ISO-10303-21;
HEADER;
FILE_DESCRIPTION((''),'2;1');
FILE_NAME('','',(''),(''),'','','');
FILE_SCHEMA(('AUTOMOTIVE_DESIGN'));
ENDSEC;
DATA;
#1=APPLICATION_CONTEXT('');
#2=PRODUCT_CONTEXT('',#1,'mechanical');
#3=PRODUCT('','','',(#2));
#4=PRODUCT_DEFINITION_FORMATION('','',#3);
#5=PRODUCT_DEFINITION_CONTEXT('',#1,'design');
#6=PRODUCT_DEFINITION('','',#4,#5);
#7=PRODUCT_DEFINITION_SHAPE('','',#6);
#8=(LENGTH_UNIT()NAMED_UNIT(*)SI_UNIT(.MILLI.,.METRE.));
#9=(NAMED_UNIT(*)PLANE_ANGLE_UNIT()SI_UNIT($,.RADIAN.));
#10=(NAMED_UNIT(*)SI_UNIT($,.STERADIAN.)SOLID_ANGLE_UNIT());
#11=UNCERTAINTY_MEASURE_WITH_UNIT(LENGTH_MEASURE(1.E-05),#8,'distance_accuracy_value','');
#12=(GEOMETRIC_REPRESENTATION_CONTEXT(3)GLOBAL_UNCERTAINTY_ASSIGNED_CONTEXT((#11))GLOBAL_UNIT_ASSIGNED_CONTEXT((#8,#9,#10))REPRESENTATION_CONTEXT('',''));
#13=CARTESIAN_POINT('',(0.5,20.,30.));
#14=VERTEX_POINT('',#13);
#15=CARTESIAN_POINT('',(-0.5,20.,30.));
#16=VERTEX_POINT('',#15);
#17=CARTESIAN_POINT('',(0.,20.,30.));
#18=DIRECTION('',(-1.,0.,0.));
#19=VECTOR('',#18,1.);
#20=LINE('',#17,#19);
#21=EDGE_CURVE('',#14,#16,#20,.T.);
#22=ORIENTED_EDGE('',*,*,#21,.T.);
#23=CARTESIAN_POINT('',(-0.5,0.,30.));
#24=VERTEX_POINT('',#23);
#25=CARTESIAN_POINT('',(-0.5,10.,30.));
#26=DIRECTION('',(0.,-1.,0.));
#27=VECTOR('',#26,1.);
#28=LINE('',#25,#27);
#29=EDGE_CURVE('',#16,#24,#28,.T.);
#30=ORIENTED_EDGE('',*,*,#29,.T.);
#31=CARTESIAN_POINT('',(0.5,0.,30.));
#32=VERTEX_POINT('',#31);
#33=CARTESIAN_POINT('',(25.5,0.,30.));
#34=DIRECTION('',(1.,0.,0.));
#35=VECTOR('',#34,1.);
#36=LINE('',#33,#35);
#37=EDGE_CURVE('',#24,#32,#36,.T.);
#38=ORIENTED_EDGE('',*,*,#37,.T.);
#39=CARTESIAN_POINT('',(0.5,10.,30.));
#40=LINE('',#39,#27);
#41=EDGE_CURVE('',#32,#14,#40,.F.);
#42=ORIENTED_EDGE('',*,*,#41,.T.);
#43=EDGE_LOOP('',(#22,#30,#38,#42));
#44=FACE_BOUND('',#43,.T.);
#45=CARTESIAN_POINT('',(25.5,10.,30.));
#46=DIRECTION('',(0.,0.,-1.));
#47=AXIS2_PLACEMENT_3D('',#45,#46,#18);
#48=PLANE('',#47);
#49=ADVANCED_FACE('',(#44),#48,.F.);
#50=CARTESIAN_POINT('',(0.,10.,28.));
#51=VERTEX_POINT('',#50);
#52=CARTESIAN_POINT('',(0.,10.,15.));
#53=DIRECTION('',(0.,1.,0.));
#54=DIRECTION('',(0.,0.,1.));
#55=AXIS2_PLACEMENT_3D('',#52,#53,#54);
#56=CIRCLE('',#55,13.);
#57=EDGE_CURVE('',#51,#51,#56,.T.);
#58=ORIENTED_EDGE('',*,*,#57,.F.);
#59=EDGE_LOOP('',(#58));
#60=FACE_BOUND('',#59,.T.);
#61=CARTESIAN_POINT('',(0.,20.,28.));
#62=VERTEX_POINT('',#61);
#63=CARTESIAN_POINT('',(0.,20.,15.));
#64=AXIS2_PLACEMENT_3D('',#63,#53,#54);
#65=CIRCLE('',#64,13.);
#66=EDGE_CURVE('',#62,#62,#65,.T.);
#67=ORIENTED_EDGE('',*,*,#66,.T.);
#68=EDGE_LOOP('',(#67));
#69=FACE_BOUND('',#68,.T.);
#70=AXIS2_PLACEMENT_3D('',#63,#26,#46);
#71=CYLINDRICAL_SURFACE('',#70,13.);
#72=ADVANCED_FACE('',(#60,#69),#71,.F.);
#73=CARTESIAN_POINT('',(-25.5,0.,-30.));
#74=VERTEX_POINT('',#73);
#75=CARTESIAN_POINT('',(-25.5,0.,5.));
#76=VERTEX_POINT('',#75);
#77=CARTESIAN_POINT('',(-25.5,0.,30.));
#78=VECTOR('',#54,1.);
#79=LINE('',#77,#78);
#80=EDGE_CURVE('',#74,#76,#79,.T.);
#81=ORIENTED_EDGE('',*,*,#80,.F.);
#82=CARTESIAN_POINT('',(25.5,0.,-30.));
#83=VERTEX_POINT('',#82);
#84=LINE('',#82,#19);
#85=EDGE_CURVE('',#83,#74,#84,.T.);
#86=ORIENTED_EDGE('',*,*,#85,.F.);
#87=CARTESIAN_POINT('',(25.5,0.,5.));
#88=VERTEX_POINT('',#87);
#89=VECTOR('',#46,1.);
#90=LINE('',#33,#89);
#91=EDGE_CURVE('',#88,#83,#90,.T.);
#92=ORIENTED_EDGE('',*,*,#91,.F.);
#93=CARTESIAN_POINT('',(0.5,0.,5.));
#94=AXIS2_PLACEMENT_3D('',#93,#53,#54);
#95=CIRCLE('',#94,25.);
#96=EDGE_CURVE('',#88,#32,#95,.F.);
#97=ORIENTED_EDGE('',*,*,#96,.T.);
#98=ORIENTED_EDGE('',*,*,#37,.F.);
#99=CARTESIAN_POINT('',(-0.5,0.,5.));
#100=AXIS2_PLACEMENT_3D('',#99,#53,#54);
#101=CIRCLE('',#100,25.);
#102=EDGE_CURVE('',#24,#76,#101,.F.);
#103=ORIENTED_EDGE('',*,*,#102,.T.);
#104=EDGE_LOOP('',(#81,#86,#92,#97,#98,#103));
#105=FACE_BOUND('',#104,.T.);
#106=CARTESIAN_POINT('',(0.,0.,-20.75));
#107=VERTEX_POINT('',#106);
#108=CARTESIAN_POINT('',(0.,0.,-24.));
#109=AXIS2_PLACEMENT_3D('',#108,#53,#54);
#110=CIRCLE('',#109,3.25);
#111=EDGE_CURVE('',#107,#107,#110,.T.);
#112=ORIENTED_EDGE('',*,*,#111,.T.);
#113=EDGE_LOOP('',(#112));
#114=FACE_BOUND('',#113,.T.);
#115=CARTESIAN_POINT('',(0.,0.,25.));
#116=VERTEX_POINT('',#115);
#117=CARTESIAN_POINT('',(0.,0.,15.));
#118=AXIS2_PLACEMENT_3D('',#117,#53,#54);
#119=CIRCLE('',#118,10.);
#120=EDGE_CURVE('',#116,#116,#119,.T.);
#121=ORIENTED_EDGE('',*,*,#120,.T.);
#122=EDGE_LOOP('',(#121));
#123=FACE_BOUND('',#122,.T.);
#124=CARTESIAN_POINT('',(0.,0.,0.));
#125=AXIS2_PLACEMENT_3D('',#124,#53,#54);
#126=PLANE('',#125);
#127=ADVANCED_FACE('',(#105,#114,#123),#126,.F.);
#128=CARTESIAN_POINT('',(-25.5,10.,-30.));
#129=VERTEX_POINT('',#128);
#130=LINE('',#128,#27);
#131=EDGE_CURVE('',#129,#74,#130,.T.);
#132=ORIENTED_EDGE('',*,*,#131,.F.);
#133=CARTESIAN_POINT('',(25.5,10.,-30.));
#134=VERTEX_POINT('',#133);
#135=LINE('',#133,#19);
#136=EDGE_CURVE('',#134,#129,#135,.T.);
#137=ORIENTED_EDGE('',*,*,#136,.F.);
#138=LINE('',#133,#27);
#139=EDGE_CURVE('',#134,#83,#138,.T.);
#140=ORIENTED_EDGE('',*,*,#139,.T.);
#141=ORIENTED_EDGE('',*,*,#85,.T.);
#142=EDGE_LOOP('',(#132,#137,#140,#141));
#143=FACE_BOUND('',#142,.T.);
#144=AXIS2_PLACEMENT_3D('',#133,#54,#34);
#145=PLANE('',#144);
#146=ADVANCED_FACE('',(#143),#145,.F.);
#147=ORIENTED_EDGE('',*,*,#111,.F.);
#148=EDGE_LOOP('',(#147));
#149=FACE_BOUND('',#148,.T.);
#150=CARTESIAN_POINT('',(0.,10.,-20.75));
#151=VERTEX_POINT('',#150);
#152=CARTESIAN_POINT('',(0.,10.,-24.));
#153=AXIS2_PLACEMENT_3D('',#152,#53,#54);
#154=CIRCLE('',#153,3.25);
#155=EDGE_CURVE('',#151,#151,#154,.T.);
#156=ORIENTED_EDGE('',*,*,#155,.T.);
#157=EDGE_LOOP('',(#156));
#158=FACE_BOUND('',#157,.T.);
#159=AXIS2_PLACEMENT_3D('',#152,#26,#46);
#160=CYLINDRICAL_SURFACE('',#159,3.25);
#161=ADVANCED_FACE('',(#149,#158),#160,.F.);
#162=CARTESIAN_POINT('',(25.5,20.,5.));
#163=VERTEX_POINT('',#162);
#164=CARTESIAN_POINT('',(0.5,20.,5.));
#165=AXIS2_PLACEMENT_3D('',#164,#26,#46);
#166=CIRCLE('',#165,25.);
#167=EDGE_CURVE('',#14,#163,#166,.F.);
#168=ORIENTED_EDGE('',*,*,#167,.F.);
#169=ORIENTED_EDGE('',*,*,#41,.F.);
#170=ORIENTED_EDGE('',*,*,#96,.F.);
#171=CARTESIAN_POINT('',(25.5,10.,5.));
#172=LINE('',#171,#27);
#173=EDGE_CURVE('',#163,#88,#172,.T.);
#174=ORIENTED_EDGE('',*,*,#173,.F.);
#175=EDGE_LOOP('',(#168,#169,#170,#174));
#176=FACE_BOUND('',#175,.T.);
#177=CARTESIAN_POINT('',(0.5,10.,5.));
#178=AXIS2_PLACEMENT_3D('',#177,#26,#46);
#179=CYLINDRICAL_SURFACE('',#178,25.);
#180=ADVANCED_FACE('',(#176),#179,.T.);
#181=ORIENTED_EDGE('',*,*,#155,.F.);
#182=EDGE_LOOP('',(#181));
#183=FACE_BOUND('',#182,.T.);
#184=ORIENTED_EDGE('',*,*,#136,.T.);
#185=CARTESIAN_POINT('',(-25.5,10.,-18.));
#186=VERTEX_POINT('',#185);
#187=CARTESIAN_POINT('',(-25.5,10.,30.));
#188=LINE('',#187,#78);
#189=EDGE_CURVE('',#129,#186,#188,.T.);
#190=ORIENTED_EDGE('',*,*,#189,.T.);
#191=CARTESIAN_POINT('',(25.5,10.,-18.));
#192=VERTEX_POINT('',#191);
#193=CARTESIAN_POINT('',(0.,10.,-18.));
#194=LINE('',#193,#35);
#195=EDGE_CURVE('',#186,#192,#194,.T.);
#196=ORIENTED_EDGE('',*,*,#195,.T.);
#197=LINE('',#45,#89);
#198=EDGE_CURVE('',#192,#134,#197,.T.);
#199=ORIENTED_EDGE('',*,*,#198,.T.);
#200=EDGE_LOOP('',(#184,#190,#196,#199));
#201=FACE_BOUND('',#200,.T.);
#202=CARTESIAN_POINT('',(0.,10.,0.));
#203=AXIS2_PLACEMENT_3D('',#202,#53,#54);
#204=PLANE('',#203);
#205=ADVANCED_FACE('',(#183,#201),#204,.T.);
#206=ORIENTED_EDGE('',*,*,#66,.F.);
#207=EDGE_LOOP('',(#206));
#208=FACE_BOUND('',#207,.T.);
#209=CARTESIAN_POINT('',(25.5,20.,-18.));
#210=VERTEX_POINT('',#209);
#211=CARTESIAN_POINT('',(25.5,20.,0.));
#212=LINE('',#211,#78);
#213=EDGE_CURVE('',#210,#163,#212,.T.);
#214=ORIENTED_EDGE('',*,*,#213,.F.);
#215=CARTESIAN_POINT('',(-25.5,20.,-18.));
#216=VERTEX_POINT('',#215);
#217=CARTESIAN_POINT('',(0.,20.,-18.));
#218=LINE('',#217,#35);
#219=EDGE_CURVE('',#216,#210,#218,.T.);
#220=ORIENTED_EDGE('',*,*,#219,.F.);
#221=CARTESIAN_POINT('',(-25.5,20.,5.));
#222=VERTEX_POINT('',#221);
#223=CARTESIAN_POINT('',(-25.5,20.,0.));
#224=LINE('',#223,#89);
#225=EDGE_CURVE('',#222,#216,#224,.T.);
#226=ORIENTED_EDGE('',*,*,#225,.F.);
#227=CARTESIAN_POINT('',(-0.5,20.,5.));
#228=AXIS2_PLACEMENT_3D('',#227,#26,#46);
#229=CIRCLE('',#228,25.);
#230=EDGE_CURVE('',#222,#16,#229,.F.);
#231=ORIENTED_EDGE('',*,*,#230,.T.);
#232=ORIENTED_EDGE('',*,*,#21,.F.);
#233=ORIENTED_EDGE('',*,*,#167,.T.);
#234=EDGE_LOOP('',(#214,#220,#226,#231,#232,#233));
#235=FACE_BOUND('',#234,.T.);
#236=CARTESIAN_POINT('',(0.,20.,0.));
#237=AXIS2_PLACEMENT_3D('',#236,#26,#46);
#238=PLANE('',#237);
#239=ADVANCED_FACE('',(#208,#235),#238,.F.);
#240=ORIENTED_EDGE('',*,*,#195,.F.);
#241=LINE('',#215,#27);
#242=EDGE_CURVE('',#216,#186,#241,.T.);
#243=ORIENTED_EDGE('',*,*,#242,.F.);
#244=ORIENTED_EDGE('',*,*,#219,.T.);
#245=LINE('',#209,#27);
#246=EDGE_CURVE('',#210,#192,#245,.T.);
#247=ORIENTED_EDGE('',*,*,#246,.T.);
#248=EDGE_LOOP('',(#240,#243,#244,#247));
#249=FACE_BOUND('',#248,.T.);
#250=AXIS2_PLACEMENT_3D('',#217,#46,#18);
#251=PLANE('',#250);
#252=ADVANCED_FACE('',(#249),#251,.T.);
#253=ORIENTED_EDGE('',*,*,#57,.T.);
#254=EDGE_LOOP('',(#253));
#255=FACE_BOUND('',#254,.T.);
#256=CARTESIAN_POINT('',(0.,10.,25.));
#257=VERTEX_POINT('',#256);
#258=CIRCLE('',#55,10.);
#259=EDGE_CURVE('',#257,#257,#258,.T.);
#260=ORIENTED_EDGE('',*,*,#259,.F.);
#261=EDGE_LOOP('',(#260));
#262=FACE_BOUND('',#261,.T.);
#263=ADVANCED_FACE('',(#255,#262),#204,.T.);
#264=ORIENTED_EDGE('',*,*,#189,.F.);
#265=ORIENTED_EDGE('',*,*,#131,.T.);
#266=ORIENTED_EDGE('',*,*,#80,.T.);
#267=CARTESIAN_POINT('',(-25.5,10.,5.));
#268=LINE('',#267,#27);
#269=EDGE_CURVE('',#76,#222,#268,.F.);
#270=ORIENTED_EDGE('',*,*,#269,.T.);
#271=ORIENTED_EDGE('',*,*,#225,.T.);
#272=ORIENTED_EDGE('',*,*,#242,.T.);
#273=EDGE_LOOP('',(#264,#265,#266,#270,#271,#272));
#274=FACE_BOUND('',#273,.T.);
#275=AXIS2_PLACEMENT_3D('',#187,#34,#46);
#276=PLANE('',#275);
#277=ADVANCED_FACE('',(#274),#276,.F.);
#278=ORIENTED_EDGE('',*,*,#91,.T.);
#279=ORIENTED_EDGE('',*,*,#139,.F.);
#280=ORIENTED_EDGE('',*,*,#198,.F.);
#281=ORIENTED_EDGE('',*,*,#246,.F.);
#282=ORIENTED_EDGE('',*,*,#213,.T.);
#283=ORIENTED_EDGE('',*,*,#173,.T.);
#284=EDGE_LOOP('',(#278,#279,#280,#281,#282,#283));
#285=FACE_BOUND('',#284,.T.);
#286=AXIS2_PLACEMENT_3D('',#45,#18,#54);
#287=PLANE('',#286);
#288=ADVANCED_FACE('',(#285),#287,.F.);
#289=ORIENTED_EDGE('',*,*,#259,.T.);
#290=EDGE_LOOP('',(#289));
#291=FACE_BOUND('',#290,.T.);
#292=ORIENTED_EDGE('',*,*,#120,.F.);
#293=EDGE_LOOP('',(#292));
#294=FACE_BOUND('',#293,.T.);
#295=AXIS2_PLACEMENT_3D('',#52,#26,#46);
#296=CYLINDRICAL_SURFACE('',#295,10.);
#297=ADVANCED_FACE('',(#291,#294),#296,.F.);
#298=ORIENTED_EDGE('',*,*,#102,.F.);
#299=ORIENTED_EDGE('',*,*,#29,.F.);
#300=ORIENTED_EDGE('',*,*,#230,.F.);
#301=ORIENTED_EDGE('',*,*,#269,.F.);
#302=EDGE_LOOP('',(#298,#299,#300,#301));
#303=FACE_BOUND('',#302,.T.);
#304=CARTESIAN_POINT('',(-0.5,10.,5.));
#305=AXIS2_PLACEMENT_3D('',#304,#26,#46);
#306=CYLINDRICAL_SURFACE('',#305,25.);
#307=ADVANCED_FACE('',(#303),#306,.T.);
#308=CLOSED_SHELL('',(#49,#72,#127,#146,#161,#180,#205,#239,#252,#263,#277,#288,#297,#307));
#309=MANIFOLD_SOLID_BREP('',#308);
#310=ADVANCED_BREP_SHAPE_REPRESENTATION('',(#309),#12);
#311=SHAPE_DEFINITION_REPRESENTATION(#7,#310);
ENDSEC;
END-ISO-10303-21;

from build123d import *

# Parameters (mm, degrees)
SZKIC1_W                    = 51
SZKIC1_H                    = 60
SZKIC1_R                    = 3.25
SZKIC1_R_2                  = 10
DODANIE_WYCI_GNI_CIE1_DEPTH = 10
DODANIE_WYCI_GNI_CIE2_START = 10
SZKIC2_W                    = 51
SZKIC2_H                    = 48
SZKIC2_R                    = 13
DODANIE_WYCI_GNI_CIE2_DEPTH = 10
ZAOKR_GLENIE1_R             = 25


with BuildPart() as part:
    # Szkic1 → Dodanie-wyciągnięcie1 (new body)
    with BuildSketch(Plane(origin=(0, 0, 0), x_dir=(1, 0, 0), z_dir=(0, 1, 0))):
        Rectangle(SZKIC1_W, SZKIC1_H)
        with Locations(Location((0, 24, 0), (0, 0, 270))):
            Circle(SZKIC1_R, mode=Mode.SUBTRACT)
        with Locations(Location((0, -15, 0), (0, 0, 270))):
            Circle(SZKIC1_R_2, mode=Mode.SUBTRACT)
    extrude(amount=DODANIE_WYCI_GNI_CIE1_DEPTH)

    # Szkic2 → Dodanie-wyciągnięcie2 (add)
    with BuildSketch(Plane(origin=(0, 0, 0), x_dir=(1, 0, 0), z_dir=(0, 1, 0)).offset(DODANIE_WYCI_GNI_CIE2_START)):
        with Locations((0, -6)):
            Rectangle(SZKIC2_W, SZKIC2_H)
        with Locations(Location((0, -15, 0), (0, 0, 270))):
            Circle(SZKIC2_R, mode=Mode.SUBTRACT)
    extrude(amount=DODANIE_WYCI_GNI_CIE2_DEPTH)

    # Zaokrąglenie1
    zaokr_glenie1_edges = [part.edges().sort_by_distance(p)[0] for p in [
        (25.5, 10, 30),
        (-25.5, 10, 30),
    ]]
    fillet(zaokr_glenie1_edges, radius=ZAOKR_GLENIE1_R)


solid = part.part
